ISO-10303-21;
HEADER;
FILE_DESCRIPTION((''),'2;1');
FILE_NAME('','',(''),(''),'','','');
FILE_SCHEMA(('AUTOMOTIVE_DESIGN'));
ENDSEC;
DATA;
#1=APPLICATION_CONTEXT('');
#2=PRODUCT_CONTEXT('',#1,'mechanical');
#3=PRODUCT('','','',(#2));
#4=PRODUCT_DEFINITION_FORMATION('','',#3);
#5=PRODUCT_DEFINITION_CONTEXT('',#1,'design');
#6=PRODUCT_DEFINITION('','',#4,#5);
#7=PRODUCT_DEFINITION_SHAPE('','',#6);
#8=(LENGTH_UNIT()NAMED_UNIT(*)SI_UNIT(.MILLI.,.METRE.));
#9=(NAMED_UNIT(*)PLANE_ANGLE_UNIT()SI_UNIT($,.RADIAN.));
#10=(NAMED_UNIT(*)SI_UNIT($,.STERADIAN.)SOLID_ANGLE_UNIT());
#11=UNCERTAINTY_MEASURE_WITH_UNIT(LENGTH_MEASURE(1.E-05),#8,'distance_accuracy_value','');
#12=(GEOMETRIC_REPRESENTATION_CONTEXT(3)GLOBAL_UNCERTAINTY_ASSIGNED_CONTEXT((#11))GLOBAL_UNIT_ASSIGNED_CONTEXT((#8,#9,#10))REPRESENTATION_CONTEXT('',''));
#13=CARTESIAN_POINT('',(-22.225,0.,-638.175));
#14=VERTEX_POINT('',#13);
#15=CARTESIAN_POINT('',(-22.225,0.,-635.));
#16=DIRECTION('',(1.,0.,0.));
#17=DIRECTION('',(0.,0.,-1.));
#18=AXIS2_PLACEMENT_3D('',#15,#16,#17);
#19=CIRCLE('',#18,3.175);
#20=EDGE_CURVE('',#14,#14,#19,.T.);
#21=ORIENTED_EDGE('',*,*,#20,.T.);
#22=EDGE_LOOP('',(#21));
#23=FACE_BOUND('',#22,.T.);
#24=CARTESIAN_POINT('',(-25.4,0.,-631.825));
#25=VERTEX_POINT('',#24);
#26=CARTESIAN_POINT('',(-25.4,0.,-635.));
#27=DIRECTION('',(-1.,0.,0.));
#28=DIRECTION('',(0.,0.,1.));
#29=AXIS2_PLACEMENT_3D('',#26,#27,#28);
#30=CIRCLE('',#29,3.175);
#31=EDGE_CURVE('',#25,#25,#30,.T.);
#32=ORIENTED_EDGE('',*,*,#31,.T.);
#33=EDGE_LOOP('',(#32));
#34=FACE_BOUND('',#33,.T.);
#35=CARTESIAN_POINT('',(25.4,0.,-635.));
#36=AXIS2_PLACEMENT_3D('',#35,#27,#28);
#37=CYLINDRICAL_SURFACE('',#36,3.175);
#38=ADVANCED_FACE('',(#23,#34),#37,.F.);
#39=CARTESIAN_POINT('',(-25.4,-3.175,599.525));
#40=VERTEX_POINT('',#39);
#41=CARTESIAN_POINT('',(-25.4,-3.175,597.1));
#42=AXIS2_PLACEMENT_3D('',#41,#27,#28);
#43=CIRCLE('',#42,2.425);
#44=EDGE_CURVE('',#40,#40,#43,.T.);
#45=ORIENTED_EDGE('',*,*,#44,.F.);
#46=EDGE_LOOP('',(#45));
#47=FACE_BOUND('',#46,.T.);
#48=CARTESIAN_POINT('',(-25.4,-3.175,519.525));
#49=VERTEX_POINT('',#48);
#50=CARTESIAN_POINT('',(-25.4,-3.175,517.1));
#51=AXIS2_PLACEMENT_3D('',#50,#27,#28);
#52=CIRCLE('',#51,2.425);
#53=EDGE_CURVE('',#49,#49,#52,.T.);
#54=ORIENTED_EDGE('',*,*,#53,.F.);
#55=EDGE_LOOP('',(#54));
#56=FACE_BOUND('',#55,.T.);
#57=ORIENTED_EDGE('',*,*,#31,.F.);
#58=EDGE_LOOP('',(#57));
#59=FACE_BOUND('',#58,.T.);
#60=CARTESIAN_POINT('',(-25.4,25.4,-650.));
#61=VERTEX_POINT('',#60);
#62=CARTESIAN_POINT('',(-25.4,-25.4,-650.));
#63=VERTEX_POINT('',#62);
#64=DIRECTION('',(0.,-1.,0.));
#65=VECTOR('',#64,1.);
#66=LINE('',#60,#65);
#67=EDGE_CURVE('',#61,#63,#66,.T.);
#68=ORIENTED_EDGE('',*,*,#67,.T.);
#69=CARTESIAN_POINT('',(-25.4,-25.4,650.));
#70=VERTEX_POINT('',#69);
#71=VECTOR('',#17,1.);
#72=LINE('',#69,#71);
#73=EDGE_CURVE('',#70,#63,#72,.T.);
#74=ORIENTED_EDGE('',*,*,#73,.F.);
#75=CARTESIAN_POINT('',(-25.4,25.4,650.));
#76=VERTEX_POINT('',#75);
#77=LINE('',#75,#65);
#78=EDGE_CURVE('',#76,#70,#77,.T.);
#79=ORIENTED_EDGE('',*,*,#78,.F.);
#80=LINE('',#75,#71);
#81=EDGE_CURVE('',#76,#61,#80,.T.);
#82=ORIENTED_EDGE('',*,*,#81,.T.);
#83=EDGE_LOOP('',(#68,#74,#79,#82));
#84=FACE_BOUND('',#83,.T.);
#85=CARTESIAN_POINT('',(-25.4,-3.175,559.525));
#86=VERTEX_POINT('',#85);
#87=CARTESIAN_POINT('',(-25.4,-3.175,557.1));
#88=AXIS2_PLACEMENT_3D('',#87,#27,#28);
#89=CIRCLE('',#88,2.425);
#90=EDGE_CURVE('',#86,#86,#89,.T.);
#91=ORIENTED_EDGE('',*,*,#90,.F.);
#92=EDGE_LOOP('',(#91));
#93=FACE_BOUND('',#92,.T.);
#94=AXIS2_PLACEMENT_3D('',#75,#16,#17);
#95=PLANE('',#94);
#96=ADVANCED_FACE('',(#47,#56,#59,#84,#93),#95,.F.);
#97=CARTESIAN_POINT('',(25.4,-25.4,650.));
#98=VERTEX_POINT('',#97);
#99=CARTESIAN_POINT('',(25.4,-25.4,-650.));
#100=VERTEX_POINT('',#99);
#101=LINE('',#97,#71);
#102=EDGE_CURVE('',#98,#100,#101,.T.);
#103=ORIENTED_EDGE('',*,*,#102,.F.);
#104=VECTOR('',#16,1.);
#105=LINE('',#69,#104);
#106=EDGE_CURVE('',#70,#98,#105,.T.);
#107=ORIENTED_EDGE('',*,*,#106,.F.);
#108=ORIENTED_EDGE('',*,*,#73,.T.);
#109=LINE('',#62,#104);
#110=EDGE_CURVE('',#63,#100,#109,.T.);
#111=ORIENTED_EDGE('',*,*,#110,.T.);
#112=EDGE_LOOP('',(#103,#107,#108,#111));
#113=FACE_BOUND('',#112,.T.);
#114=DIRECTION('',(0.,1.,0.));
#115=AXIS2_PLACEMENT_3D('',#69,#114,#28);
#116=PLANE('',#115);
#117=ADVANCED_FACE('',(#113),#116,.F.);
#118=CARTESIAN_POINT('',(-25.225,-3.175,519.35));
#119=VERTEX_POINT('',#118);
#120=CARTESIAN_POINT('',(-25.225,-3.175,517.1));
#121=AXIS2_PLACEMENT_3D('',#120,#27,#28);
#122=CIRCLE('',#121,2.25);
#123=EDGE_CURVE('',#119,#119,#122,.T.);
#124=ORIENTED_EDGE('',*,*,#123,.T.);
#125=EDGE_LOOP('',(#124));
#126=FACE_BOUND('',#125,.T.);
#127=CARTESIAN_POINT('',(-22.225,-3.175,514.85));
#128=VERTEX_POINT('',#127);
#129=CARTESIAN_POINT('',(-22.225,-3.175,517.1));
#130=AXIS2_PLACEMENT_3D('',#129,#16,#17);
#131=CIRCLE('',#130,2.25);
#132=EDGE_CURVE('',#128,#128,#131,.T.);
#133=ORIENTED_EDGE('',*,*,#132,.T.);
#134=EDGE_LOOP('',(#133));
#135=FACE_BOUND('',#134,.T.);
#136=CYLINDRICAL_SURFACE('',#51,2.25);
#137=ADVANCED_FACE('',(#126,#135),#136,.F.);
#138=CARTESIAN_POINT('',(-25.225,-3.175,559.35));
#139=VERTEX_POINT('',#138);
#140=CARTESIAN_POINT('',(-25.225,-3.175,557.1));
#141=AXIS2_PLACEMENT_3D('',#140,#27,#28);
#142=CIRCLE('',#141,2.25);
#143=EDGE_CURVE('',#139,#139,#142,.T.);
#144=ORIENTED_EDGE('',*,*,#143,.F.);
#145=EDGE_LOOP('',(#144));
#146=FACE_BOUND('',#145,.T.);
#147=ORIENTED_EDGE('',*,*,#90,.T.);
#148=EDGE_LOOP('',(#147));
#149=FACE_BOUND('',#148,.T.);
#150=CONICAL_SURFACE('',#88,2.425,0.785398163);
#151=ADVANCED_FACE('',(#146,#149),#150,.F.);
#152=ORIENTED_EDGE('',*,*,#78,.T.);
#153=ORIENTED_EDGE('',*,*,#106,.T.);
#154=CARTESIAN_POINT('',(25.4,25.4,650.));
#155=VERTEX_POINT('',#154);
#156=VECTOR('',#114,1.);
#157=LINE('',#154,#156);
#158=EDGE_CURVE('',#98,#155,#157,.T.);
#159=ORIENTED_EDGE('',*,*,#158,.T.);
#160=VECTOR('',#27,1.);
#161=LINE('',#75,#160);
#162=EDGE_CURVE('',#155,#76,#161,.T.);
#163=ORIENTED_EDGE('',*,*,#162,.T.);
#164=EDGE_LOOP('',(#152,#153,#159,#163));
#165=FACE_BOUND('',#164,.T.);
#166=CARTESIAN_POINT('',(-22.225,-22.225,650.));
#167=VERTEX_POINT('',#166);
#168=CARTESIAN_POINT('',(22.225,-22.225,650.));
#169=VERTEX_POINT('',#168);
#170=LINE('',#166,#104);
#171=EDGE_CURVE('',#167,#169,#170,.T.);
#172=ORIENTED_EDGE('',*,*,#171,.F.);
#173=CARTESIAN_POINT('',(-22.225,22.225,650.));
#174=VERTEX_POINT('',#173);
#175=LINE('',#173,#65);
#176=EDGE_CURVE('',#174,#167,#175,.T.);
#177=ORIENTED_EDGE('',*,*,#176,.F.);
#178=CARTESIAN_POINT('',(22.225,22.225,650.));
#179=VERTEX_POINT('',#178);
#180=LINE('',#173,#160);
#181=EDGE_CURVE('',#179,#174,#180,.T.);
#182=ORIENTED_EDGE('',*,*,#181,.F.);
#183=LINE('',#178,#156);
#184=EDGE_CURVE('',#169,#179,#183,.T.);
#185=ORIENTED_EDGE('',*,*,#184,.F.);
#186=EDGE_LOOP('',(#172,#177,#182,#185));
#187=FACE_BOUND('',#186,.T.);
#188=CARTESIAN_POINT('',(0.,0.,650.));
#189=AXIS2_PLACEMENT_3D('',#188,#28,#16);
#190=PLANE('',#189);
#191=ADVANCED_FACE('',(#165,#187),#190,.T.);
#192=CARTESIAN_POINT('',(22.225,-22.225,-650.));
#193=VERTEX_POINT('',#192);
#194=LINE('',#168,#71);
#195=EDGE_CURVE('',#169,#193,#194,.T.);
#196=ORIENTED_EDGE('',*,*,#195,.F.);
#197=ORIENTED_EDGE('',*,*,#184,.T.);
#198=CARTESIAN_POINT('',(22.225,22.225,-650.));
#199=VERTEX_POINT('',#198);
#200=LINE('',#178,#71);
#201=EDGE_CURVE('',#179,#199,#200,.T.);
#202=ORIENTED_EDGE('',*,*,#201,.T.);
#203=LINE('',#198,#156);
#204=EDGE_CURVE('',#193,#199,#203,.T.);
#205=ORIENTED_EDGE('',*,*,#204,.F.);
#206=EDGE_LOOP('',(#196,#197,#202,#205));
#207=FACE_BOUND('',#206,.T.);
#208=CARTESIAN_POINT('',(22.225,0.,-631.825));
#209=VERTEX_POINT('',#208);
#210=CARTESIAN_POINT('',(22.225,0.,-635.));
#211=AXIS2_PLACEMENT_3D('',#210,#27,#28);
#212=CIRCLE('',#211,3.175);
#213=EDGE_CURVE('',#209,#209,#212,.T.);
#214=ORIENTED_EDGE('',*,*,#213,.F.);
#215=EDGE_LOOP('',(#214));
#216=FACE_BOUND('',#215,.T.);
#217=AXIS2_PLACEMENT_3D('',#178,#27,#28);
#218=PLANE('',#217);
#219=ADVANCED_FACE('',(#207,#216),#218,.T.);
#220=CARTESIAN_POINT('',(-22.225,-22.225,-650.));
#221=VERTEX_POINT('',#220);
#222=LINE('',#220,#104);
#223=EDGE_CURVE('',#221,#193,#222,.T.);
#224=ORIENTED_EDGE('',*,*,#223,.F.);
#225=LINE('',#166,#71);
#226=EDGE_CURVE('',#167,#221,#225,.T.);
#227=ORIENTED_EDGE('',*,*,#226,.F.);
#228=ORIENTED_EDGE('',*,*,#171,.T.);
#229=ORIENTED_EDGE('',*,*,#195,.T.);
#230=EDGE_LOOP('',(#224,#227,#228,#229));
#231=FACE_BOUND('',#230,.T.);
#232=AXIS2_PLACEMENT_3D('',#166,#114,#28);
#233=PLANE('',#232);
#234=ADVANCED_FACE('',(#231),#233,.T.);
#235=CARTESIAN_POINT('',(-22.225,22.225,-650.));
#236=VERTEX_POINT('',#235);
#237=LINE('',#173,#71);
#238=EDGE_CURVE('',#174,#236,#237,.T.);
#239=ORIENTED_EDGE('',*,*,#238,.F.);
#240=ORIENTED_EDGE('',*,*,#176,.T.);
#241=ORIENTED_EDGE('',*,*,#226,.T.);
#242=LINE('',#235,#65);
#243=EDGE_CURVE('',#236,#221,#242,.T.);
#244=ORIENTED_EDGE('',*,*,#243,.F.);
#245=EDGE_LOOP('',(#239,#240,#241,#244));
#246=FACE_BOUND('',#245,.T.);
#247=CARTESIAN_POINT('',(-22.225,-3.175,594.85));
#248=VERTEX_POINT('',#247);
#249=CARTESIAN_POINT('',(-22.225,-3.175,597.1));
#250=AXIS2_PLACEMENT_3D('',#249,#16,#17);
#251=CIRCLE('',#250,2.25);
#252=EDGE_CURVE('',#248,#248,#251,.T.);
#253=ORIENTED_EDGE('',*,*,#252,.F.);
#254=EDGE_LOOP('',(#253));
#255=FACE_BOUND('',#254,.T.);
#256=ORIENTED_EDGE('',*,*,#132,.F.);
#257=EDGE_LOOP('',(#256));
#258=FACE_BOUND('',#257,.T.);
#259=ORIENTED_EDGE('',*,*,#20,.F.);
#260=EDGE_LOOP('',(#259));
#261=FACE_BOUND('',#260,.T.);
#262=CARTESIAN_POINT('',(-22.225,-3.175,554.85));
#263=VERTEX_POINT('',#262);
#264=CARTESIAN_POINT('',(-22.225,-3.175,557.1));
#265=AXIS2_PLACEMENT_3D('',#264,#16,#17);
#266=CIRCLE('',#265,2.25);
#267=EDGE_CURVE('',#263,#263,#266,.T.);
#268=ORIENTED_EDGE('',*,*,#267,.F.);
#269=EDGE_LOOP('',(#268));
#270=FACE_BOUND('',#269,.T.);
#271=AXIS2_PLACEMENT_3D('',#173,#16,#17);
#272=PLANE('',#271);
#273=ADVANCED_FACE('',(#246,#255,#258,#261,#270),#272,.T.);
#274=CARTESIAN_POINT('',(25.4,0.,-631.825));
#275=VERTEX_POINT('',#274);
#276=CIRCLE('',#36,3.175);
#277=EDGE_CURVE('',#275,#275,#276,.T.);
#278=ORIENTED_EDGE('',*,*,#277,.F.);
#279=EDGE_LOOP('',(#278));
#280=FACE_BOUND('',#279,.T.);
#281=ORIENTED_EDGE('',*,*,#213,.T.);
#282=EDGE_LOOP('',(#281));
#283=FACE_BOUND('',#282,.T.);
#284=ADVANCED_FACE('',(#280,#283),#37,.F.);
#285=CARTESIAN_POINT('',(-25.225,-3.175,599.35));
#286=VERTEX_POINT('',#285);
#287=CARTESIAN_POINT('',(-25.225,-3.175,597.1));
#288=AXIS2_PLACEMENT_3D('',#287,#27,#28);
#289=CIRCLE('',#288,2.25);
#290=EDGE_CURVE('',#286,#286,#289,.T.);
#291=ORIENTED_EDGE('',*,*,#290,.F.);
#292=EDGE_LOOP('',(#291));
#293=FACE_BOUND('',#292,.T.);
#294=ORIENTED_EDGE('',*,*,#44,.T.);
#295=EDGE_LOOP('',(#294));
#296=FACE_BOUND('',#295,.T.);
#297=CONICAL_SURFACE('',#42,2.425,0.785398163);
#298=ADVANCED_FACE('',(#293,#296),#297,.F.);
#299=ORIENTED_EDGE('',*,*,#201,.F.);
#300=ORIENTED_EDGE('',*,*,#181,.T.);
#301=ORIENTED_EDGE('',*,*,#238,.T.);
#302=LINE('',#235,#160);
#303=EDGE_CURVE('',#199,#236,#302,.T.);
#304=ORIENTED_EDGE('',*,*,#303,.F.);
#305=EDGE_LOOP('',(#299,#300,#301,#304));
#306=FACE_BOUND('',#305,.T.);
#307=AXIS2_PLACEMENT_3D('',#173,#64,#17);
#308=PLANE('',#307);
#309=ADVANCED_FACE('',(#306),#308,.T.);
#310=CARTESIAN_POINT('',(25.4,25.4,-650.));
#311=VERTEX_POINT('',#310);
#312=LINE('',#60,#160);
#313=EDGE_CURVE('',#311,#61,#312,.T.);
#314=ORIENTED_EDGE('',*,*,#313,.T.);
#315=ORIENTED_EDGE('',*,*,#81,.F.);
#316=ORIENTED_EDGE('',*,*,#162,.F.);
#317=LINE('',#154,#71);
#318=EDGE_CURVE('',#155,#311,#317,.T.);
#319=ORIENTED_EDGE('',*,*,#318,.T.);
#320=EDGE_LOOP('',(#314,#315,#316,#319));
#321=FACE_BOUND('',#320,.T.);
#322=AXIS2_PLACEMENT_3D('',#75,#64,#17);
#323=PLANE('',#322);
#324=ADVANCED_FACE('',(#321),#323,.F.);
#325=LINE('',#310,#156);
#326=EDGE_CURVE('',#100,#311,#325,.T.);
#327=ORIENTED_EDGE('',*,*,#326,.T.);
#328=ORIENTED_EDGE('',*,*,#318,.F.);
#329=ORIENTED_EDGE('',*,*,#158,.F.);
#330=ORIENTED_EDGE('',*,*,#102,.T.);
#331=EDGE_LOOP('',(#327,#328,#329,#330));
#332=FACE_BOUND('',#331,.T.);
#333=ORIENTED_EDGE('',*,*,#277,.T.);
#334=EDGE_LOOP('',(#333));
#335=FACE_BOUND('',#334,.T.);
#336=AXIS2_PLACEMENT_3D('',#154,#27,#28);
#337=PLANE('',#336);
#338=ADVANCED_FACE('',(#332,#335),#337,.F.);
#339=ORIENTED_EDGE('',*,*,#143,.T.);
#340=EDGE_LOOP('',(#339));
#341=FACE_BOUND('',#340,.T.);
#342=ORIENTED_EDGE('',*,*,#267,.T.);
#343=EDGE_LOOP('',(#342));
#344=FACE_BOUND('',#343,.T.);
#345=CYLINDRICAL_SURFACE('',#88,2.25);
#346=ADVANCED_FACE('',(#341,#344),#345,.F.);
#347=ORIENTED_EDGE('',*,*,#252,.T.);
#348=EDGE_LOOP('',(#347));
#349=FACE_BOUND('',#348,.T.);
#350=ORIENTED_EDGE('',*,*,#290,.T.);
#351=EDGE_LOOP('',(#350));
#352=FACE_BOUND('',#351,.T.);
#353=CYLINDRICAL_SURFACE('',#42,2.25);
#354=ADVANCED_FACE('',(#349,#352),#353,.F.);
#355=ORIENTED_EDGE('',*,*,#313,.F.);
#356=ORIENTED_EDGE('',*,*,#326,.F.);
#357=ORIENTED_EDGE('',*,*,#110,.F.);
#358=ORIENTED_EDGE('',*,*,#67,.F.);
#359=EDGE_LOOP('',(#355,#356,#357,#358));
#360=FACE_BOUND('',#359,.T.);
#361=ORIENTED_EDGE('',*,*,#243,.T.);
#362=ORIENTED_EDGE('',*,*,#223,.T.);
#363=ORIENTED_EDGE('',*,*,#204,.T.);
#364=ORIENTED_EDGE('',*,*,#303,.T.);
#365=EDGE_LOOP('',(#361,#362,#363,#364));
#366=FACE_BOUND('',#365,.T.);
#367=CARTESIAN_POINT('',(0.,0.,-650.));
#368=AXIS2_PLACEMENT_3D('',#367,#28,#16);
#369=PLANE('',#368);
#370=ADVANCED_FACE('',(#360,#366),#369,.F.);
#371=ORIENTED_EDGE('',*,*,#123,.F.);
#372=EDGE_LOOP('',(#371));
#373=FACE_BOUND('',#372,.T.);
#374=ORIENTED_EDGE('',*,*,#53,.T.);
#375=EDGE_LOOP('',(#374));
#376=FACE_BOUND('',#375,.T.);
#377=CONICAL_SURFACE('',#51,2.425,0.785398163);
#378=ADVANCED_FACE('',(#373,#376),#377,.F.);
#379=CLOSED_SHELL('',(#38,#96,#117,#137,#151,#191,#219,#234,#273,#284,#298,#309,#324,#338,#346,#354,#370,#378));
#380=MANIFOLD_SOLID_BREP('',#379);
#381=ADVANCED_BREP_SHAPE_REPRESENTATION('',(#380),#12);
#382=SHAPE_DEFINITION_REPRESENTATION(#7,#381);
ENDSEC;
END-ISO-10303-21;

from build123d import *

# Parameters (mm, degrees)
ESQUISSE2_W                    = 50.8
ESQUISSE2_H                    = 50.8
ESQUISSE2_W_2                  = 44.45
ESQUISSE2_H_2                  = 44.45
BOSS_EXTRU_1_DEPTH             = 649.999999972
ESQUISSE4_R                    = 3.175
ENL_V_MAT_EXTRU_2_DEPTH        = 653.476666222
M4_CLEARANCE_HOLE1_D           = 4.5
M4_CLEARANCE_HOLE1_DEPTH       = 3.175
M4_CLEARANCE_HOLE1_CSINK_D     = 4.85
M4_CLEARANCE_HOLE1_CSINK_ANGLE = 90


with BuildPart() as part:
    # Esquisse2 → Boss.-Extru.1 (new, symmetric)
    with BuildSketch(Plane.XY):
        Rectangle(ESQUISSE2_W, ESQUISSE2_H)
        Rectangle(ESQUISSE2_W_2, ESQUISSE2_H_2, mode=Mode.SUBTRACT)
    extrude(amount=BOSS_EXTRU_1_DEPTH, both=True)

    # Esquisse4 → Enlèv. mat.-Extru.2 (cut, through all)
    with BuildSketch(Plane.ZY.offset(25.4)):
        with Locations((-634.999999972, 0)):
            Circle(ESQUISSE4_R)
    extrude(amount=-ENL_V_MAT_EXTRU_2_DEPTH, mode=Mode.SUBTRACT)

    # M4 Clearance Hole1
    with Locations(Plane.ZY.offset(25.4)):
        with Locations((517.099999972, -3.175), (557.099999972, -3.175), (597.099999972, -3.175)):
            CounterSinkHole(M4_CLEARANCE_HOLE1_D / 2, M4_CLEARANCE_HOLE1_CSINK_D / 2, depth=M4_CLEARANCE_HOLE1_DEPTH, counter_sink_angle=M4_CLEARANCE_HOLE1_CSINK_ANGLE)


solid = part.part
